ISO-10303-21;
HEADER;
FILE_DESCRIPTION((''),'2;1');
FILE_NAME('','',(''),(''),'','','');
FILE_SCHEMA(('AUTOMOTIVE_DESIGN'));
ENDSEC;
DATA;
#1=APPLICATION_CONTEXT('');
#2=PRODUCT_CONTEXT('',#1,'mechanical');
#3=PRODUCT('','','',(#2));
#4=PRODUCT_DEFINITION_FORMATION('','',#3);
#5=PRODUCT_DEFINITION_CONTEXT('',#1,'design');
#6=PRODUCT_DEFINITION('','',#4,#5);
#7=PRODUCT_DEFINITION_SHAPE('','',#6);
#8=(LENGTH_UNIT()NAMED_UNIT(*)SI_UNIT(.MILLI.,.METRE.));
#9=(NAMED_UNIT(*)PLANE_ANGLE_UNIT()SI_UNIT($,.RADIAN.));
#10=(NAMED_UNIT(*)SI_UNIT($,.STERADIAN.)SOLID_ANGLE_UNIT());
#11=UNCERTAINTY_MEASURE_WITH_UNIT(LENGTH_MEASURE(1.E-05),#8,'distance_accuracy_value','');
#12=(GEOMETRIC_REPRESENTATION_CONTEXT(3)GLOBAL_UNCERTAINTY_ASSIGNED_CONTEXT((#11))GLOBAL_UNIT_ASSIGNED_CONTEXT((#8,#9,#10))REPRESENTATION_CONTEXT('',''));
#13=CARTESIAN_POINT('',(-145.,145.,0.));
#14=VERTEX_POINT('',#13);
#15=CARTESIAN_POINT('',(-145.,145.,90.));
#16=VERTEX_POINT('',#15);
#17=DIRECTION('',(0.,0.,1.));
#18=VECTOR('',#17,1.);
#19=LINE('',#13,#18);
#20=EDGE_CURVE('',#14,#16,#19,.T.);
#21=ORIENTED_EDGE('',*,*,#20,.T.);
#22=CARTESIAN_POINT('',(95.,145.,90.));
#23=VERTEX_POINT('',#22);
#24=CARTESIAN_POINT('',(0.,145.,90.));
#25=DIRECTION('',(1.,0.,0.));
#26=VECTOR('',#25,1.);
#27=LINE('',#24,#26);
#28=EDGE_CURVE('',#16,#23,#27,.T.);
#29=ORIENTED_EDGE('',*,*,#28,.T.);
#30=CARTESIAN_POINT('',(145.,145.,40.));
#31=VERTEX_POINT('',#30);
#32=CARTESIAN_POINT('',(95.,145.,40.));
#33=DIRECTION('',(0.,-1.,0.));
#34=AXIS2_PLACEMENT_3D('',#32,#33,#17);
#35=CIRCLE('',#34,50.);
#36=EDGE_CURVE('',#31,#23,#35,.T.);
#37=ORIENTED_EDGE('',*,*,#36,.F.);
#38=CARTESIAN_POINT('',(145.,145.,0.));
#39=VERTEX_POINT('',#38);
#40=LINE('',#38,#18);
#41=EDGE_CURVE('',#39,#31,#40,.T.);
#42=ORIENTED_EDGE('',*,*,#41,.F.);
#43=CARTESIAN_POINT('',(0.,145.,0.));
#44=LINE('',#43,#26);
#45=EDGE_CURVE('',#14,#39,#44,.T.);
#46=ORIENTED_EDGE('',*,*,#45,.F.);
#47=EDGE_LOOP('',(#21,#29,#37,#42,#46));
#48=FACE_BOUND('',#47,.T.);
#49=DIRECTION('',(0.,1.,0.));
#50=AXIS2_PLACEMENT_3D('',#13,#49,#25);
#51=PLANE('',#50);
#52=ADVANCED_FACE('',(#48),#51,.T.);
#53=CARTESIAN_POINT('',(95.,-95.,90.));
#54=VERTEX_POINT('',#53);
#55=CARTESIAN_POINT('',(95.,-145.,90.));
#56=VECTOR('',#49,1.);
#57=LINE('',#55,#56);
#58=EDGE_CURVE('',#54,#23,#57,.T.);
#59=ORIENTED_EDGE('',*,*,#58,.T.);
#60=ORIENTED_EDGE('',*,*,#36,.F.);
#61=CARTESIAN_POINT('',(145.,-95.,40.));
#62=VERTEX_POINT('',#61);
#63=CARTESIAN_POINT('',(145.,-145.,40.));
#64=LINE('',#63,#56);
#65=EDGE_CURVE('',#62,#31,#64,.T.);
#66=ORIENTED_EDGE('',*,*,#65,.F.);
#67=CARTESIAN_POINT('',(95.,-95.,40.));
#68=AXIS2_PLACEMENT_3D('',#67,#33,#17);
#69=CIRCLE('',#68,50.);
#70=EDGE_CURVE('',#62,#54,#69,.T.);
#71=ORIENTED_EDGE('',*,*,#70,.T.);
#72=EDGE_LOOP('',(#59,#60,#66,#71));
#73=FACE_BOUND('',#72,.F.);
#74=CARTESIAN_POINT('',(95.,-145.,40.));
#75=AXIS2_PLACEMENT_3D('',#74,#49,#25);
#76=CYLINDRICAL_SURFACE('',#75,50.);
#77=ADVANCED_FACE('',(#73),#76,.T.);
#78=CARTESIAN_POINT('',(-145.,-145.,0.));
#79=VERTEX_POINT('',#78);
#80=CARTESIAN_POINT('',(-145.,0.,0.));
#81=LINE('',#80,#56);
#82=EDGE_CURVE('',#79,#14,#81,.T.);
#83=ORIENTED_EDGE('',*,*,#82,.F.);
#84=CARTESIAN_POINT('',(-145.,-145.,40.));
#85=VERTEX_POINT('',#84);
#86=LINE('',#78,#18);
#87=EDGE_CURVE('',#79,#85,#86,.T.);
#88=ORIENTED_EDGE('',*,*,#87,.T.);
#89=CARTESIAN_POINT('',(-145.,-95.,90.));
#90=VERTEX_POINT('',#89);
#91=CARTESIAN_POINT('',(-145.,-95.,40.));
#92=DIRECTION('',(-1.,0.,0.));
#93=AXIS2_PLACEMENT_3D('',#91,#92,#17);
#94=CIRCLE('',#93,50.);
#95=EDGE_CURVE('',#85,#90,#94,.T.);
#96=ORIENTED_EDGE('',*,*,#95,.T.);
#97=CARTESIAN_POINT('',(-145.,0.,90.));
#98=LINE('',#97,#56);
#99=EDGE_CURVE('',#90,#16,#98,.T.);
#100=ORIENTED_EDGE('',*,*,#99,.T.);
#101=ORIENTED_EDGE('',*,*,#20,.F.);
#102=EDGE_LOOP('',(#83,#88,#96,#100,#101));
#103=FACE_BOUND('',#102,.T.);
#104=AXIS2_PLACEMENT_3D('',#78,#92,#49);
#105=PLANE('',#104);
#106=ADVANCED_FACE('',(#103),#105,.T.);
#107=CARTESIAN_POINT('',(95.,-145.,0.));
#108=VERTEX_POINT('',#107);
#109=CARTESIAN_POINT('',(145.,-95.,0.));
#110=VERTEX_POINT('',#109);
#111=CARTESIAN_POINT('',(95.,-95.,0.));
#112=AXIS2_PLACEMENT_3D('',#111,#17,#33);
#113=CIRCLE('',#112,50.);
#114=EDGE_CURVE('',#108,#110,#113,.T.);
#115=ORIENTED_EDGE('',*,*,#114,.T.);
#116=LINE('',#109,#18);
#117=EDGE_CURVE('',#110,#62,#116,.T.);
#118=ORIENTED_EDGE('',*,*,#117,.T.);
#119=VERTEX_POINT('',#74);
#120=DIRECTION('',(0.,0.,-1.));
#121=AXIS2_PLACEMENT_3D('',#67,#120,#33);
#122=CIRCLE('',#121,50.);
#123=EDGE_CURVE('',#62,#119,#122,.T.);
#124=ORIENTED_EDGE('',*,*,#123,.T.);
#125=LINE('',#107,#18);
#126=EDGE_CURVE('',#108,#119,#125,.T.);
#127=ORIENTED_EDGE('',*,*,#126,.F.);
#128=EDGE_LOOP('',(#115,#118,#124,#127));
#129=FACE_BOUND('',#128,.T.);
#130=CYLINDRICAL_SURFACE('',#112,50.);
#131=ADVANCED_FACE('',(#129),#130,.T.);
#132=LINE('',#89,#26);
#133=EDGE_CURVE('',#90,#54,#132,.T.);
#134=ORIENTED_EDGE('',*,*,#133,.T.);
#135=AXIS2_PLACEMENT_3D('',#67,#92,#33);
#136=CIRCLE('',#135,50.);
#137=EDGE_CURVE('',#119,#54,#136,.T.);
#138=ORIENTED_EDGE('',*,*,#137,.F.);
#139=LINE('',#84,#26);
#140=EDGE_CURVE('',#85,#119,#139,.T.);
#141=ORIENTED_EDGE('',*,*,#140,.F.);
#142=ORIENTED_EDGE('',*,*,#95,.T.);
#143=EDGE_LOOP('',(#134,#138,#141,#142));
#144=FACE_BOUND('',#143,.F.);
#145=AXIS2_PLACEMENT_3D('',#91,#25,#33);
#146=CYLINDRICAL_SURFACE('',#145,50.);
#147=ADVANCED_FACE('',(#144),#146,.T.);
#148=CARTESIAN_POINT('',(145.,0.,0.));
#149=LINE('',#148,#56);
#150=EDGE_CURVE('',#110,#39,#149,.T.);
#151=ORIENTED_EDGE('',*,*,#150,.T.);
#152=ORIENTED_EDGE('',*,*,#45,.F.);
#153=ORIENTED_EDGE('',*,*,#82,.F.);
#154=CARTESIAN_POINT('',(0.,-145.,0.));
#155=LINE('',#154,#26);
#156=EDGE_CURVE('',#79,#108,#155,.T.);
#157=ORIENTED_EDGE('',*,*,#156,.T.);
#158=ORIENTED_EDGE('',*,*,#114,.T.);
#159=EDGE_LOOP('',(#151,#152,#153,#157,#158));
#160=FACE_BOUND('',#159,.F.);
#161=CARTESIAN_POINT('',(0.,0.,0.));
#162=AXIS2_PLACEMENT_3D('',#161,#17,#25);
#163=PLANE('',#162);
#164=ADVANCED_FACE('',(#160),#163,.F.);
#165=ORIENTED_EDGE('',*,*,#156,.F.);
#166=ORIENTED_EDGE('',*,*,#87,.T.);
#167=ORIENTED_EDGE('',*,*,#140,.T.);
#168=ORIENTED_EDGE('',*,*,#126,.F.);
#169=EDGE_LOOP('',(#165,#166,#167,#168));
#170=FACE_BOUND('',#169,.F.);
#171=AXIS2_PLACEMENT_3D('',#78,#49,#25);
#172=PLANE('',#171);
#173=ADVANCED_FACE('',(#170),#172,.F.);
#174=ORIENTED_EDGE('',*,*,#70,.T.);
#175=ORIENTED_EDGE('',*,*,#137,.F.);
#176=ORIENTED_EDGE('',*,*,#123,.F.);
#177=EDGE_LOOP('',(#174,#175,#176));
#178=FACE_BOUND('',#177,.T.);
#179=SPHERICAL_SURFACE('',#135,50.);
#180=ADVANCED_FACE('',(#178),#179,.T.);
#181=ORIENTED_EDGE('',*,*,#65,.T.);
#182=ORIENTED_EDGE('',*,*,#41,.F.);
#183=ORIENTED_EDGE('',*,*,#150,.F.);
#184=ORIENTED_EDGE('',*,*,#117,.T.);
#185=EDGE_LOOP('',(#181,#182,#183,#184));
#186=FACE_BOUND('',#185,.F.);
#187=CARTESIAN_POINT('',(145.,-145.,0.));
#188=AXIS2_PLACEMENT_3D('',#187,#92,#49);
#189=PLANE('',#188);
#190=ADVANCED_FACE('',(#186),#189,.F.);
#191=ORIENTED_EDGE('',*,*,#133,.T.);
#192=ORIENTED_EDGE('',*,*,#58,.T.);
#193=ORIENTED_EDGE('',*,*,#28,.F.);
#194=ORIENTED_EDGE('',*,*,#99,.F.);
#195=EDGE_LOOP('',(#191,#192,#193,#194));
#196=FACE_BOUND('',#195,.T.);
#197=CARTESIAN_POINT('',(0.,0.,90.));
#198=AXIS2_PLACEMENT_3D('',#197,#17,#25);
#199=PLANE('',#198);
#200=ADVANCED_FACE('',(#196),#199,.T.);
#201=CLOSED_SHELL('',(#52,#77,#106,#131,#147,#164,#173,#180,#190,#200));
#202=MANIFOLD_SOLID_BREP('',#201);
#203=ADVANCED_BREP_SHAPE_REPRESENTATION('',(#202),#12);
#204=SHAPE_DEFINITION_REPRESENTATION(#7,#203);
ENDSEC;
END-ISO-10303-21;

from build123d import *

# Parameters (mm, degrees)
F0_W     = 290
F0_H     = 290
F1_DEPTH = 90
F2_R     = 50


with BuildPart() as f1:
    # F0 (on Top) → F1 (new body)
    with BuildSketch(Plane.XY):
        Rectangle(F0_W, F0_H)
    extrude(amount=F1_DEPTH)

    # F2
    f2_edges = [f1.edges().sort_by_distance(p)[0] for p in [
        (0, -145, 90),
        (145, -145, 45),
        (145, 0, 90),
    ]]
    fillet(f2_edges, radius=F2_R)


solid = f1.part
